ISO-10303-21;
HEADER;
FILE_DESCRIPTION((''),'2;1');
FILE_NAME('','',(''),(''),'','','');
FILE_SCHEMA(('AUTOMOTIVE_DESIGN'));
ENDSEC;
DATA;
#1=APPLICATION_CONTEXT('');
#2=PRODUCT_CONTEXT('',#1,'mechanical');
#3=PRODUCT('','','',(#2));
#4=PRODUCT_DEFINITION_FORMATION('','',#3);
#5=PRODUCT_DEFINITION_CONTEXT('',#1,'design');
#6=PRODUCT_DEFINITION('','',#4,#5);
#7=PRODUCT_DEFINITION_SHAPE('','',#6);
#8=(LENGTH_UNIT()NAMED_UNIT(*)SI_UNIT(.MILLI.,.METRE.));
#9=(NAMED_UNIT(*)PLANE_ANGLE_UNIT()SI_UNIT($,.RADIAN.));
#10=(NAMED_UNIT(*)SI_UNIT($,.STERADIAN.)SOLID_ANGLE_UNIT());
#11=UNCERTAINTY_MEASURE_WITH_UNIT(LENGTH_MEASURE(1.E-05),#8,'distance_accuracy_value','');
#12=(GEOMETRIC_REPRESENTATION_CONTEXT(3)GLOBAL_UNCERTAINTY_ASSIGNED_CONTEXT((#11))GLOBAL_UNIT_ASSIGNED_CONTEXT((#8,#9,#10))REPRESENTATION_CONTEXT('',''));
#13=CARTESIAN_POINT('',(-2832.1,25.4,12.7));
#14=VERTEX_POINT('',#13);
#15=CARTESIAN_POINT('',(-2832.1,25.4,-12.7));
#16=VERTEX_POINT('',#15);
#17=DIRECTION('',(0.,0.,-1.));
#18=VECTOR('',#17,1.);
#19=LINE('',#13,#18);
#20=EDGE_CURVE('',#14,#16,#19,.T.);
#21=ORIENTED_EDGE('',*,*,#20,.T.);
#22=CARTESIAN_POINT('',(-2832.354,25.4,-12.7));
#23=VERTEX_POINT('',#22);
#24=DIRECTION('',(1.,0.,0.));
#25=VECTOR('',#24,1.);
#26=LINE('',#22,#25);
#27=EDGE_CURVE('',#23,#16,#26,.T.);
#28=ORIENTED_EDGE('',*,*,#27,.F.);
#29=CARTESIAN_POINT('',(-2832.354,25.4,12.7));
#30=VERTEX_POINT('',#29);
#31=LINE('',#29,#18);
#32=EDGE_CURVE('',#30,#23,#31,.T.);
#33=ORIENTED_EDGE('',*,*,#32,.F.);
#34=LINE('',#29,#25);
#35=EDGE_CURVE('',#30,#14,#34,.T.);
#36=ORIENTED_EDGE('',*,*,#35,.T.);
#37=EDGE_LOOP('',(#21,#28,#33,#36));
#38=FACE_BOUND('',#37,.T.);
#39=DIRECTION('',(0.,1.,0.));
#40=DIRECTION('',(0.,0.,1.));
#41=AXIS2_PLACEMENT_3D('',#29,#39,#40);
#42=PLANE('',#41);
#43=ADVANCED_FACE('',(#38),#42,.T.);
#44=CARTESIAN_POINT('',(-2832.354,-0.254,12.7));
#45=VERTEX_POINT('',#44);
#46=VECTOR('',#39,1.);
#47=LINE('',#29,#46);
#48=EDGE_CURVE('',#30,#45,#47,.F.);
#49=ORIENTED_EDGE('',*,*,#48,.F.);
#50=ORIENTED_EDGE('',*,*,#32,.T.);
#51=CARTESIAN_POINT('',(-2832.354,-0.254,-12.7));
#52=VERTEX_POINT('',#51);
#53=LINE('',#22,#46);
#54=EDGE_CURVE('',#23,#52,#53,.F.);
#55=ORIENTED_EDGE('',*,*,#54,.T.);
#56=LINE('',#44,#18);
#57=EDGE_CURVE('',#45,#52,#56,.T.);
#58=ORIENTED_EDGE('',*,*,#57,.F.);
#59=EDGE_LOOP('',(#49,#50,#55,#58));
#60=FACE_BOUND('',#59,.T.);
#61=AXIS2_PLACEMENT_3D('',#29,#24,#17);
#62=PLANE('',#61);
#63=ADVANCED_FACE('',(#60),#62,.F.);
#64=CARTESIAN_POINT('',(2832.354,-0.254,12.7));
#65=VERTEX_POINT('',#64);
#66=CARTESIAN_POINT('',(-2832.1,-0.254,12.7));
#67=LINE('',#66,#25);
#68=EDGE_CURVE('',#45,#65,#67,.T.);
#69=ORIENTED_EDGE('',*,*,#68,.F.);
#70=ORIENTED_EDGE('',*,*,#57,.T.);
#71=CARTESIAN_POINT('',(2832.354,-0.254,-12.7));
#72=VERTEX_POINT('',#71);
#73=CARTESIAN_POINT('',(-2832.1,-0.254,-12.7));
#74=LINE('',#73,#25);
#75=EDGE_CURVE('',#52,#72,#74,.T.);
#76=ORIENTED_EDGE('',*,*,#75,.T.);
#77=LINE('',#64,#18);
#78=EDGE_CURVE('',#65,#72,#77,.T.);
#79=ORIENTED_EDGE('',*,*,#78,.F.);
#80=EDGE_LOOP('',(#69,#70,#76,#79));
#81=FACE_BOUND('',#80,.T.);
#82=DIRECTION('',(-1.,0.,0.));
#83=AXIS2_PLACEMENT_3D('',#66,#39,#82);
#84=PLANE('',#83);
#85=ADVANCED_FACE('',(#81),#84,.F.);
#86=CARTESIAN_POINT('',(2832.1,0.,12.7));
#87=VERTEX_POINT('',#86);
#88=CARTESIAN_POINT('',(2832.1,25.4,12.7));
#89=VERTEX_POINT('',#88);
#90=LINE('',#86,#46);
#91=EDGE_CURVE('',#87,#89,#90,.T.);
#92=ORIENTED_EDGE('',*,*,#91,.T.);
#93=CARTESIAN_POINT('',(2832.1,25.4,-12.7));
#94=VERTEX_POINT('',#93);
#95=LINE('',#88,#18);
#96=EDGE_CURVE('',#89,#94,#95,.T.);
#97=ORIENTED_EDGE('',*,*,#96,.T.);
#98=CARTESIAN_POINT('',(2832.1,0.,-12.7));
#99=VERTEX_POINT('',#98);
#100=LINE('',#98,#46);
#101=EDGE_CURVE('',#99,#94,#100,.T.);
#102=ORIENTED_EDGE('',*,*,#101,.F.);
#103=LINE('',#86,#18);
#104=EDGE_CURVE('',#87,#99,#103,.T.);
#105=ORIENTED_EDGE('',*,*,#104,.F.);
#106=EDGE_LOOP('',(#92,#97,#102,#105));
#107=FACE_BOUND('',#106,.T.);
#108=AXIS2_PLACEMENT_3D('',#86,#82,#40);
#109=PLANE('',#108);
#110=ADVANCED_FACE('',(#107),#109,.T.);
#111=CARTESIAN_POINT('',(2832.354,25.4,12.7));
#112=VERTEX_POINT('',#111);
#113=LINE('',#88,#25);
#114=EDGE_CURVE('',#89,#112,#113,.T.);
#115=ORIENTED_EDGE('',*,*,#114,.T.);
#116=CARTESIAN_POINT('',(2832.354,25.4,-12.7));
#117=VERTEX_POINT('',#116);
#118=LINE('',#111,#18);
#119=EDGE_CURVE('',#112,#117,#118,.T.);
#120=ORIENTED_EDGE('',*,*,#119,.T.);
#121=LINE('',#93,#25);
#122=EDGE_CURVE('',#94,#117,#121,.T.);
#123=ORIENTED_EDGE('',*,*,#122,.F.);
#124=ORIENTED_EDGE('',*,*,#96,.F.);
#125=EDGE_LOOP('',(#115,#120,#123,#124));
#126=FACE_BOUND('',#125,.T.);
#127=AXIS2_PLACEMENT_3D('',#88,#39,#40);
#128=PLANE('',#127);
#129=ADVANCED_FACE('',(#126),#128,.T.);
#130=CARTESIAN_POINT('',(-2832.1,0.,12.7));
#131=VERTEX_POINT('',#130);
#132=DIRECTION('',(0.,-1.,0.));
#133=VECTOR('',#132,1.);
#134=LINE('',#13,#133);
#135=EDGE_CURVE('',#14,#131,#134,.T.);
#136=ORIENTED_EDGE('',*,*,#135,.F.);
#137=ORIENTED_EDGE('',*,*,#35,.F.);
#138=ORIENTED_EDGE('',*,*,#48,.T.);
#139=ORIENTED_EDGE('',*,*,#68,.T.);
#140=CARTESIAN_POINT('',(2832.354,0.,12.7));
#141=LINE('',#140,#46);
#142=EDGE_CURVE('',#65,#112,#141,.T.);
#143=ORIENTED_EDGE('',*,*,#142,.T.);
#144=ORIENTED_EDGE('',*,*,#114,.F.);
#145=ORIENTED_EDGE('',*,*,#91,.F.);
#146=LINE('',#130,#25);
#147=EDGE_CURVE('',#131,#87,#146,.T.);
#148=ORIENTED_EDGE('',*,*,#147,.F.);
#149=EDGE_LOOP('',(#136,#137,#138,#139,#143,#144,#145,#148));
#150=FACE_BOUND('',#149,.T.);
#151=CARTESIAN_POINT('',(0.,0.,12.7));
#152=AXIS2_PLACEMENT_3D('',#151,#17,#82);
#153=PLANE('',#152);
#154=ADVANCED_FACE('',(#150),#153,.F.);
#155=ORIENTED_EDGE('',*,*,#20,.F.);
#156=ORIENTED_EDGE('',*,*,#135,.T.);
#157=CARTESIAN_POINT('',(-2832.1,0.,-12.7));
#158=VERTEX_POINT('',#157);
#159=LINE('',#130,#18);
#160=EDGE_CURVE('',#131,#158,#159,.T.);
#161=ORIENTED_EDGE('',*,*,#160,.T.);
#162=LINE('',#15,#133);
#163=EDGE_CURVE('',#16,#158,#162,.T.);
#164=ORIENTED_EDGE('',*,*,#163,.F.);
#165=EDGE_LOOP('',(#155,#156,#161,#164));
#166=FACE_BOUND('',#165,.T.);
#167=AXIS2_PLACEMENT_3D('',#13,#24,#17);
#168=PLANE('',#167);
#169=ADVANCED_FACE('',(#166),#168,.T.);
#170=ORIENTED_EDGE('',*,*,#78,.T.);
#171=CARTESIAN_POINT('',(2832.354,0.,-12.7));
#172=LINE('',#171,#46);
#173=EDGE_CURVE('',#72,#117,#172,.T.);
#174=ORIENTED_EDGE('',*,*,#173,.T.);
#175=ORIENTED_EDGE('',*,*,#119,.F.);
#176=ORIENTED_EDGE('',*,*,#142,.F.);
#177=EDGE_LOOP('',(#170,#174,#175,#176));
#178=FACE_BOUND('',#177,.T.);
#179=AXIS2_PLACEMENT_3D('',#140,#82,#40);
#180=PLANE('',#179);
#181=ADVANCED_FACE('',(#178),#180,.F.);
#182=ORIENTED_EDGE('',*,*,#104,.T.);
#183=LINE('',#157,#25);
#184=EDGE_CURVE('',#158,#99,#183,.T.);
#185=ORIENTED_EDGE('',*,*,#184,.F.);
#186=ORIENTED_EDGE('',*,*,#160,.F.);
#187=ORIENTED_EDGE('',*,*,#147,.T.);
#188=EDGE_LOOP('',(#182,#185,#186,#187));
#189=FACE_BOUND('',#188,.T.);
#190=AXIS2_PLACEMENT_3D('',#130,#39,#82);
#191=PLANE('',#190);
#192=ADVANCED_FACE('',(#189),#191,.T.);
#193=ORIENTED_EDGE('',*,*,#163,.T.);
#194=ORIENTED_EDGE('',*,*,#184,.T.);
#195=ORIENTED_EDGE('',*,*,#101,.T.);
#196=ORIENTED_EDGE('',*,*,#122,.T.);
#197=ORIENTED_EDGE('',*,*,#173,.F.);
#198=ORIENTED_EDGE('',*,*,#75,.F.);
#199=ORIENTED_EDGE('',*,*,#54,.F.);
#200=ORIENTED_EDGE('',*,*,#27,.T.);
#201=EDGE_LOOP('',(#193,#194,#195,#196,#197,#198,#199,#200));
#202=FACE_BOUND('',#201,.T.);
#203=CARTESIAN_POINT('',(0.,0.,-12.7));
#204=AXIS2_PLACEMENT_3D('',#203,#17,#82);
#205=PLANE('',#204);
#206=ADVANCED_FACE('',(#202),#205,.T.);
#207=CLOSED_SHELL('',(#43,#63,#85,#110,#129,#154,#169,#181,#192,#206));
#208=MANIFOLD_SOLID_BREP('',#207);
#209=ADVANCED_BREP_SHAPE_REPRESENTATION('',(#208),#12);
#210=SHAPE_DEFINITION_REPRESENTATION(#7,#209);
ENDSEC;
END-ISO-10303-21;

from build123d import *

# Parameters (mm, degrees)
EXTRUDE_THIN1_DEPTH = 12.7


with BuildPart() as part:
    # Sketch1 → Extrude-Thin1 (new body, symmetric)
    with BuildSketch(Plane.XY):
        Polygon((-2832.1, 25.4), (-2832.1, 0), (2832.1, 0), (2832.1, 25.4), (2832.354, 25.4), (2832.354, -0.254), (-2832.354, -0.254), (-2832.354, 25.4), align=None)
    extrude(amount=EXTRUDE_THIN1_DEPTH, both=True)


solid = part.part
